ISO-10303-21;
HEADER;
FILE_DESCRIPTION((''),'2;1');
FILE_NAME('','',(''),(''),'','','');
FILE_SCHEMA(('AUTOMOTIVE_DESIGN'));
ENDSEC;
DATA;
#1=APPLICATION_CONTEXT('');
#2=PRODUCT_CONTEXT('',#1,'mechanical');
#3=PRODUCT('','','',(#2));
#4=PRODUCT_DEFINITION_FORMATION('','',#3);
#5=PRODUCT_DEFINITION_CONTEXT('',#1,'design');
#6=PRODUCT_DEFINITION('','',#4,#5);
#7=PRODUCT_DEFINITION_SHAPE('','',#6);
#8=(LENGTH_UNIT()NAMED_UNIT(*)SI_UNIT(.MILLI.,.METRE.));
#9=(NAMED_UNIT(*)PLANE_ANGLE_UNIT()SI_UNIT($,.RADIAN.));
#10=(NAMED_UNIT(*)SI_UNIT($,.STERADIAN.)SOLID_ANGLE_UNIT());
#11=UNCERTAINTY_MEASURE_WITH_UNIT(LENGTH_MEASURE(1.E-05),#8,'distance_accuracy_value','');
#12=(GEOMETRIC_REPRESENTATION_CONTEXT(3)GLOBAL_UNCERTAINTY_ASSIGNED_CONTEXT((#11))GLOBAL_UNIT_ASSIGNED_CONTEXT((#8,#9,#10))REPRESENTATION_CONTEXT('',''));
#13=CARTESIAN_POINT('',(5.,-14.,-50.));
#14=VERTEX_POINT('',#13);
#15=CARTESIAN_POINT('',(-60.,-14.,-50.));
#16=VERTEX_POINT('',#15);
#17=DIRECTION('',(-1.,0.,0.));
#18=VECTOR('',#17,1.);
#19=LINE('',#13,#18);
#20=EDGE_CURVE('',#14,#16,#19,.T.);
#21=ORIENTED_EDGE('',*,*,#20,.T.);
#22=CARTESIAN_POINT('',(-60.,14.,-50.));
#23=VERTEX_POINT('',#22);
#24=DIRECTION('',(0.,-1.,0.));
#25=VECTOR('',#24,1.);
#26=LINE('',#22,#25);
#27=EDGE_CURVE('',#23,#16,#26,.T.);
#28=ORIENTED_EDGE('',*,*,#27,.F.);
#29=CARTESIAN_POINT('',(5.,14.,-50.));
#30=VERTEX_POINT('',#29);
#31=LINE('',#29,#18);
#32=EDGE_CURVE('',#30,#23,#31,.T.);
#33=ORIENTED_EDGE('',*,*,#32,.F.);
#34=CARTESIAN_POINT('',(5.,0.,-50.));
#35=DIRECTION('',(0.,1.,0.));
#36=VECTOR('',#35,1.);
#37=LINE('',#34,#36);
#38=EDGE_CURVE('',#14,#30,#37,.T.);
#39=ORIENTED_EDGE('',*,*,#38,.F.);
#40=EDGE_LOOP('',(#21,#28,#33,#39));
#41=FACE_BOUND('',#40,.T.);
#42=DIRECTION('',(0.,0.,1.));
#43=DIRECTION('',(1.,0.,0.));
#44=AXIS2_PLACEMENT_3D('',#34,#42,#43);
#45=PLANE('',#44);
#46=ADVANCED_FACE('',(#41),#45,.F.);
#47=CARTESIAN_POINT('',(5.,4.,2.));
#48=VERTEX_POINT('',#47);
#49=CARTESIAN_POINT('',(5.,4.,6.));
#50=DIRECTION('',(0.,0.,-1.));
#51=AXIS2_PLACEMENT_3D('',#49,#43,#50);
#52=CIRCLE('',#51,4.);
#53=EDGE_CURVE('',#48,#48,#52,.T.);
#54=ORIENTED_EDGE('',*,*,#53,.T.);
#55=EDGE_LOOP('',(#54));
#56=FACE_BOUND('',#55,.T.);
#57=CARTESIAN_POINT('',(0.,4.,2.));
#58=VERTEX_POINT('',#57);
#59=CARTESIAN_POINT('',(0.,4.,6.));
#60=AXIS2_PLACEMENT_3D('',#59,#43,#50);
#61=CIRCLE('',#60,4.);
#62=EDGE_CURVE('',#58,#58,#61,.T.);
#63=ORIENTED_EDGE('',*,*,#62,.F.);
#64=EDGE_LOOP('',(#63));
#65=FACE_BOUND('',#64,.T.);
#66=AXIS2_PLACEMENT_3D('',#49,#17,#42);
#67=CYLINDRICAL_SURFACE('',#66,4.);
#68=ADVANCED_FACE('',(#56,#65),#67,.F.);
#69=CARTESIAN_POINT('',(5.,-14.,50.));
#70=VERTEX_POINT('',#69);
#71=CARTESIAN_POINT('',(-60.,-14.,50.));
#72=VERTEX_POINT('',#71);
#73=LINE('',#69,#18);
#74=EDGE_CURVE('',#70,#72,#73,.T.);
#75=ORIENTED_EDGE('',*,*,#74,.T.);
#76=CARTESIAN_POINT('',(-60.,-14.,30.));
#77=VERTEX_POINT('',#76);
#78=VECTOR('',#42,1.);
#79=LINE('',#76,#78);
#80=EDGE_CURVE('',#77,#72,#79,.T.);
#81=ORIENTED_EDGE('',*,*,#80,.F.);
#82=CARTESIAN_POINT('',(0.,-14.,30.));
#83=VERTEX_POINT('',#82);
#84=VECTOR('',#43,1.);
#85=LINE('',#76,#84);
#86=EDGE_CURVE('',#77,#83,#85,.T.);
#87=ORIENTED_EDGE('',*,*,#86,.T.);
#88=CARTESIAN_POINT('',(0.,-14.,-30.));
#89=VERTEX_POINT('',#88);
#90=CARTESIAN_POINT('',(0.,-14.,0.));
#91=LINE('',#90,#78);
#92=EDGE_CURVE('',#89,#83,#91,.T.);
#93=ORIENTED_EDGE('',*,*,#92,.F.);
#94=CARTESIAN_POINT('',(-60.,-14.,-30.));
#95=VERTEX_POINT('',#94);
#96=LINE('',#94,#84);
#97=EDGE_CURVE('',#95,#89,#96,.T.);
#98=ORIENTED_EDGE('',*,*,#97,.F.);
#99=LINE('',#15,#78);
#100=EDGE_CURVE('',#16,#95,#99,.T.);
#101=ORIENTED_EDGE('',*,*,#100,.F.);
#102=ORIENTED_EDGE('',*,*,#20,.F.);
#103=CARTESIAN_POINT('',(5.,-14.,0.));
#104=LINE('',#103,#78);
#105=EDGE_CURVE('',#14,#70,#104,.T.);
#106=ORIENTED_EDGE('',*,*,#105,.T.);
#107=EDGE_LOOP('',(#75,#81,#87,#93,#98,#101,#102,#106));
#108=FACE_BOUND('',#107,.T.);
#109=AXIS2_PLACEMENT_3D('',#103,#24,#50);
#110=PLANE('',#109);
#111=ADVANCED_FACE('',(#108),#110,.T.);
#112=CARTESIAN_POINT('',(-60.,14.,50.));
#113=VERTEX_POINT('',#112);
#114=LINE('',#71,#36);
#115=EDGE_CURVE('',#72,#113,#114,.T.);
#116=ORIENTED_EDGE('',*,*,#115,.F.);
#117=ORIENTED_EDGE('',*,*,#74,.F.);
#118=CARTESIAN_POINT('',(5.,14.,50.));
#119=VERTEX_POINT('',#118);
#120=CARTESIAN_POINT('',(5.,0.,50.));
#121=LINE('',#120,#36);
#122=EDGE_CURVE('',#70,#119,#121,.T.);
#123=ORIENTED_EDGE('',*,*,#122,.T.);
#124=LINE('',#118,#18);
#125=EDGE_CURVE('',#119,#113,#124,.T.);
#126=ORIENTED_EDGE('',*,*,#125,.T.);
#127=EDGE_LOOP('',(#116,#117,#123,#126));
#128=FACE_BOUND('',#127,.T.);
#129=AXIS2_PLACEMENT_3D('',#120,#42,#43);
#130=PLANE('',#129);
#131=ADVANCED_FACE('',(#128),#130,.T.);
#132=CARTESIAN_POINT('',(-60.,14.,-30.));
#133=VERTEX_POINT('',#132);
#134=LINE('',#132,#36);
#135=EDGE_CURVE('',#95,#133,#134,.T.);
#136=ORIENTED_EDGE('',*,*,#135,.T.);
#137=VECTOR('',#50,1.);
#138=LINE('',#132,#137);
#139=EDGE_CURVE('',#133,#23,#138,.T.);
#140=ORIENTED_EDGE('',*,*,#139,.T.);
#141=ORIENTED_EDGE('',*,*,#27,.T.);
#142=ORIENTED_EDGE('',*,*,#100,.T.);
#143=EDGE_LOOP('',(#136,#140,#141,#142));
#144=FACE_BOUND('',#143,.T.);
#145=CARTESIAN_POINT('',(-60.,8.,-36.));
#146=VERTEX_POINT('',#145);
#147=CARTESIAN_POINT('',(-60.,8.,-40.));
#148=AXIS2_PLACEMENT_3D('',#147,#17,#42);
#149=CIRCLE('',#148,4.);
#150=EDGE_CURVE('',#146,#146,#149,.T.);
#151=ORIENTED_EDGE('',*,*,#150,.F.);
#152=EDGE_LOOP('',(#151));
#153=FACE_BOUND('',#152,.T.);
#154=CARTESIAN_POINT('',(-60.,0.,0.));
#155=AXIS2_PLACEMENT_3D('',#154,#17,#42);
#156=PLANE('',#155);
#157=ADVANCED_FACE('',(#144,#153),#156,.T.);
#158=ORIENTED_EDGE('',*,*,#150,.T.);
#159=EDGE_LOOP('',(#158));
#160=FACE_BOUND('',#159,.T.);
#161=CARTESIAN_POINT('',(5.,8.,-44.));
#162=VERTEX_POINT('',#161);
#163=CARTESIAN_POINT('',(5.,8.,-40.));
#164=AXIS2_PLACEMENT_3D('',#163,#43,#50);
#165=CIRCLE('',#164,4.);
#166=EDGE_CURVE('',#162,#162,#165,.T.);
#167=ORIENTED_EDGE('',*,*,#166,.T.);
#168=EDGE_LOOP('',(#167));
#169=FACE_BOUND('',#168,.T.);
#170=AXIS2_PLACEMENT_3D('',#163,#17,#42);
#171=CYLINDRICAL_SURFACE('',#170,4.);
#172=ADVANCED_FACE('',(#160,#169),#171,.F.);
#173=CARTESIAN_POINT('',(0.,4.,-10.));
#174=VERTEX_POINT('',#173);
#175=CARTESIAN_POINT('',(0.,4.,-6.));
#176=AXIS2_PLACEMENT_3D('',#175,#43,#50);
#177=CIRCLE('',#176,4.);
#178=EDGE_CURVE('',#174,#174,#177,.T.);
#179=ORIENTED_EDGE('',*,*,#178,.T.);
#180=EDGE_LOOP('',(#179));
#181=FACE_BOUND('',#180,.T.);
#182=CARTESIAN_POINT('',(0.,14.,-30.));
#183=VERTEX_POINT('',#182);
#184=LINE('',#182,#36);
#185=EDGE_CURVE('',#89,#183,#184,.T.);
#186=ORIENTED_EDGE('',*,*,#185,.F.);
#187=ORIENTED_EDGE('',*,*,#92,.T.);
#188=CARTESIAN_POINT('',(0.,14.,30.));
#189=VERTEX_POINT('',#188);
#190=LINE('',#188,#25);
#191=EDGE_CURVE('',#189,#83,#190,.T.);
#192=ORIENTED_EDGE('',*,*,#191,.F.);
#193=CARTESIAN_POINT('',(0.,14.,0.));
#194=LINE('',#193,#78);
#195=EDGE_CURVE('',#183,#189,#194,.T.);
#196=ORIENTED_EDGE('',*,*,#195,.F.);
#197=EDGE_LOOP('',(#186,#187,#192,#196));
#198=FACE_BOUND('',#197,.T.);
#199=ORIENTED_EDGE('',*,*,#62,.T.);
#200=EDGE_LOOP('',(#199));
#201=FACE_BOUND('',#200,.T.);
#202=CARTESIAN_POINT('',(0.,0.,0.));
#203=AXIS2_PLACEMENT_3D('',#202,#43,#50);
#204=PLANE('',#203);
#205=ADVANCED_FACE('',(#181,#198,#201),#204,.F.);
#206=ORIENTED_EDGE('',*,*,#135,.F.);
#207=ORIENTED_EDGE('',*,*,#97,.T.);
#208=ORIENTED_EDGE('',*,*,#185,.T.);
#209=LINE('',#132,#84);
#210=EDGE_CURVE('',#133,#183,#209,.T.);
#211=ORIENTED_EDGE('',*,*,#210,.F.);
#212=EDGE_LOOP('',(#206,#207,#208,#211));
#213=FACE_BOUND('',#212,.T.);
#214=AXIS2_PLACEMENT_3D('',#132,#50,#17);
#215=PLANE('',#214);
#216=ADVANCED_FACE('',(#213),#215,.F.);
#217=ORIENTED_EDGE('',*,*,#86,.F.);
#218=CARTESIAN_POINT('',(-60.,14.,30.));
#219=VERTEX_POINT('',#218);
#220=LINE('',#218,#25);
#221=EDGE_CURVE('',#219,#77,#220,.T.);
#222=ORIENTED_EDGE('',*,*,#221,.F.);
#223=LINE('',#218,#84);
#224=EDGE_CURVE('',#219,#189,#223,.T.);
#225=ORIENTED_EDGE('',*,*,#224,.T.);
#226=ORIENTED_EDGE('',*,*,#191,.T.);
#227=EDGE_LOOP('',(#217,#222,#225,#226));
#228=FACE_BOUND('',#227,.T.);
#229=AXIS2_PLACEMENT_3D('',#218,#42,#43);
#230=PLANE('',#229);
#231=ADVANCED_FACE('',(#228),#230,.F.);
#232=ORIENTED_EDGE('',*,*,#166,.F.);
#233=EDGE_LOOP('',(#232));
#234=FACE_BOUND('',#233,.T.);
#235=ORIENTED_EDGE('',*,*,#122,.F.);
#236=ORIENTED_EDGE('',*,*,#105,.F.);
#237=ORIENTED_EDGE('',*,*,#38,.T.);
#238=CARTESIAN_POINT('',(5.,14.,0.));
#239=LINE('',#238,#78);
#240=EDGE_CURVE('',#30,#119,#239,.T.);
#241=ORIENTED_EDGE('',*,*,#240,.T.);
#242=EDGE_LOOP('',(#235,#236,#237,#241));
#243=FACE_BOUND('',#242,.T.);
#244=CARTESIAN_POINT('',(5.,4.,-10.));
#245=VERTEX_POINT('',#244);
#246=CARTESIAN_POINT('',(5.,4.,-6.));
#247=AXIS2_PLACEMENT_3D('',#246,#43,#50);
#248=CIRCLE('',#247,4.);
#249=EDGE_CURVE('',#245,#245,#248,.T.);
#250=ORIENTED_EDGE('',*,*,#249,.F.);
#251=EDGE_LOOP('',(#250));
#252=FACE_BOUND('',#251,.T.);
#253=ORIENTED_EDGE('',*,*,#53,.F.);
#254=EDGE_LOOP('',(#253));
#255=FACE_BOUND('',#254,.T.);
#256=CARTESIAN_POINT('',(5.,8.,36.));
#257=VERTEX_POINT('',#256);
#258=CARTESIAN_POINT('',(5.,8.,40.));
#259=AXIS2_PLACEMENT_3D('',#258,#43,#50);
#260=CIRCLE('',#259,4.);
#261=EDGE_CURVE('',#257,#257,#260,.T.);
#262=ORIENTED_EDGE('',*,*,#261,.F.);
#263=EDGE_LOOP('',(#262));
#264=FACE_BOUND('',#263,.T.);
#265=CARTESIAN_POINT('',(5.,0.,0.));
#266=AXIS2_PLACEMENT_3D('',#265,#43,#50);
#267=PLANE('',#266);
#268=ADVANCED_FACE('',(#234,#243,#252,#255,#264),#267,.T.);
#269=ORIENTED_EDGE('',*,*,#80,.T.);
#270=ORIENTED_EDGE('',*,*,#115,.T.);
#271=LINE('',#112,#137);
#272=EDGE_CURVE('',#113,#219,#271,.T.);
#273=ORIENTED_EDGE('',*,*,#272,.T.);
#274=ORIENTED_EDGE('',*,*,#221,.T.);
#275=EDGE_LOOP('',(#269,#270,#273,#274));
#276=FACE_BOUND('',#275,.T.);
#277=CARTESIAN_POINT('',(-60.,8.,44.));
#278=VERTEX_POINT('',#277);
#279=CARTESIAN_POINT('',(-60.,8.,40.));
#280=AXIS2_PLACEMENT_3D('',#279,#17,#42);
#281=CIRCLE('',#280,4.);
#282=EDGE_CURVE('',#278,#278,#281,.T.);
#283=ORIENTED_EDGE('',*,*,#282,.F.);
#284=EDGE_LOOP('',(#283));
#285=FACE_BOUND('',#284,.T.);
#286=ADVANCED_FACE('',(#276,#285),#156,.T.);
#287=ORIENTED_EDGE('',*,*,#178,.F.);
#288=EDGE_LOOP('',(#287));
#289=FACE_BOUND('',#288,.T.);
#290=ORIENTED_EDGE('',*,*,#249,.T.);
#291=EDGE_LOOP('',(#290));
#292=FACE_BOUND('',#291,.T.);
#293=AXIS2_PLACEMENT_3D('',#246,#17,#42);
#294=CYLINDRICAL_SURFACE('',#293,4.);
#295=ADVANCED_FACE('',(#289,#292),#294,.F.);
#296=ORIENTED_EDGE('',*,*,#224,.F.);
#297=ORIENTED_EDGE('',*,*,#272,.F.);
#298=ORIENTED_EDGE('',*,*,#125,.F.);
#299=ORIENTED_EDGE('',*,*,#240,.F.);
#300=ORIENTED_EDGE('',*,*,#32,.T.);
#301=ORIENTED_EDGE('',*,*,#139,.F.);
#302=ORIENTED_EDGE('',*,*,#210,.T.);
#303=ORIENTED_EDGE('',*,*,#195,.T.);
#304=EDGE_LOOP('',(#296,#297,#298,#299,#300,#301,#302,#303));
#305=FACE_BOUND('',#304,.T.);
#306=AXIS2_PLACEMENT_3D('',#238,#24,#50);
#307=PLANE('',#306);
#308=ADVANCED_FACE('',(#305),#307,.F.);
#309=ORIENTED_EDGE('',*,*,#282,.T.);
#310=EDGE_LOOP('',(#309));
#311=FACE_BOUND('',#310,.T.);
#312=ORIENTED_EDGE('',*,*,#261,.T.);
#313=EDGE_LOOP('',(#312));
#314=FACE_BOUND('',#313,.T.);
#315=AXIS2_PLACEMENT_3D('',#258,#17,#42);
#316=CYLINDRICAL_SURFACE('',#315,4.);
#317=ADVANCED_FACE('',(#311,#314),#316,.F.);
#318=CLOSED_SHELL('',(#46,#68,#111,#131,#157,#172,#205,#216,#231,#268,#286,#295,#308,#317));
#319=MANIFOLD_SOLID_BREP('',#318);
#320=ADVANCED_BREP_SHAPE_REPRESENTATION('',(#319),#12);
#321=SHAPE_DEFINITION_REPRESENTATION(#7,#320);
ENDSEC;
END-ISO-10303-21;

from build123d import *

# Parameters (mm, degrees)
SKETCH1_W           = 6
SKETCH1_H           = 6
SKETCH1_W_2         = 10
SKETCH1_H_2         = 4
SKETCH1_H_3         = 14
SKETCH1_W_3         = 34
BOSS_EXTRUDE1_DEPTH = 5
BOSS_EXTRUDE2_START = 60
SKETCH2_W           = 20
SKETCH2_H           = 28
SKETCH2_R           = 4
BOSS_EXTRUDE2_DEPTH = 60


with BuildPart() as part:
    # Sketch1 → Boss-Extrude1 (new body)
    with BuildSketch(Plane(origin=(0, 0, 0), x_dir=(0, 0, -1), z_dir=(1, 0, 0))):
        with BuildLine():
            ThreePointArc((40, 12), (42.828427125, 10.828427125), (44, 8))
            Line((44, 8), (50, 8))
            Line((50, 8), (50, 14))
            Line((50, 14), (40, 14))
            Line((40, 14), (40, 12))
        make_face()
        with BuildLine():
            Line((6, 14), (6, 8))
            Line((5.999999991, 8), (36, 8))
            ThreePointArc((36, 8), (37.171572875, 10.828427125), (40, 12))
            Line((40, 12), (40, 14))
            Line((40, 14), (6, 14))
        make_face()
        Polygon((0, 14), (0, 8), (5.999999991, 8), (6, 14), align=None)
        with Locations((-3, 11)):
            Rectangle(SKETCH1_W, SKETCH1_H)
        with BuildLine():
            ThreePointArc((-40, 12), (-37.171572875, 10.828427125), (-36, 8))
            Line((-36, 8), (-6.000000002, 8))
            Line((-6, 8), (-6, 14))
            Line((-6, 14), (-40, 14))
            Line((-40, 14), (-40, 12))
        make_face()
        with BuildLine():
            Line((-50, 14), (-50, 8))
            Line((-50, 8), (-44, 8))
            ThreePointArc((-44, 8), (-42.828427125, 10.828427125), (-40, 12))
            Line((-40, 12), (-40, 14))
            Line((-40, 14), (-50, 14))
        make_face()
        with BuildLine():
            Line((-50, 8), (-50, 4))
            Line((-50, 4), (-40, 4))
            ThreePointArc((-40, 4), (-42.828427125, 5.171572875), (-44, 8))
            Line((-44, 8), (-50, 8))
        make_face()
        with Locations((-45, 2)):
            Rectangle(SKETCH1_W_2, SKETCH1_H_2)
        with Locations((-45, -7)):
            Rectangle(SKETCH1_W_2, SKETCH1_H_3)
        with Locations((-23, -7)):
            Rectangle(SKETCH1_W_3, SKETCH1_H_3)
        with BuildLine():
            Line((-40, 4), (-40, 0))
            Line((-40, 0), (-6, 0))
            ThreePointArc((-6, 0), (-8.828427125, 1.171572875), (-10, 4))
            Line((-10, 4), (-40, 4))
        make_face()
        with BuildLine():
            ThreePointArc((-36, 8), (-37.171572875, 5.171572875), (-40, 4))
            Line((-40, 4), (-10, 4))
            ThreePointArc((-10, 4), (-8.828427126, 6.828427124), (-6.000000002, 8))
            Line((-6.000000002, 8), (-36, 8))
        make_face()
        with Locations((-3, -7)):
            Rectangle(SKETCH1_W, SKETCH1_H_3)
        with BuildLine():
            Line((0, 8), (0, 4))
            Line((0, 4), (2, 4))
            ThreePointArc((2, 4), (3.171572872, 6.828427122), (5.999999991, 8))
            Line((5.999999991, 8), (0, 8))
        make_face()
        with BuildLine():
            ThreePointArc((-6.000000002, 8), (-3.171572876, 6.828427126), (-2, 4))
            Line((-2, 4), (0, 4))
            Line((0, 4), (0, 8))
            Line((0, 8), (-6.000000002, 8))
        make_face()
        with Locations((3, -7)):
            Rectangle(SKETCH1_W, SKETCH1_H_3)
        with BuildLine():
            Line((0, 4), (0, 0))
            Line((0, 0), (6, 0))
            ThreePointArc((6, 0), (3.171572875, 1.171572875), (2, 4))
            Line((2, 4), (0, 4))
        make_face()
        with BuildLine():
            ThreePointArc((-2, 4), (-3.171572875, 1.171572875), (-6, 0))
            Line((-6, 0), (0, 0))
            Line((0, 0), (0, 4))
            Line((0, 4), (-2, 4))
        make_face()
        with BuildLine():
            ThreePointArc((10, 4), (8.828427125, 1.171572875), (6, 0))
            Line((6, 0), (40, 0))
            Line((40, 0), (40, 4))
            Line((39.999999991, 4), (10, 4))
        make_face()
        with BuildLine():
            ThreePointArc((5.999999991, 8), (8.828427122, 6.828427128), (10, 4))
            Line((10, 4), (39.999999991, 4))
            ThreePointArc((39.999999991, 4), (37.171572872, 5.171572878), (36, 8))
            Line((36, 8), (5.999999991, 8))
        make_face()
        with Locations((23, -7)):
            Rectangle(SKETCH1_W_3, SKETCH1_H_3)
        with Locations((45, -7)):
            Rectangle(SKETCH1_W_2, SKETCH1_H_3)
        with Locations((45, 2)):
            Rectangle(SKETCH1_W_2, SKETCH1_H_2)
        with BuildLine():
            ThreePointArc((44, 8), (42.828427122, 5.171572872), (39.999999991, 4))
            Line((39.999999991, 4), (50, 4))
            Line((50, 4), (50, 8))
            Line((50, 8), (44, 8))
        make_face()
    extrude(amount=BOSS_EXTRUDE1_DEPTH)

    # Sketch2 → Boss-Extrude2 (add)
    # profile 1 of 2: a face of its own
    with BuildSketch(Plane.ZY.offset(BOSS_EXTRUDE2_START)):
        with Locations((-40, 0)):
            Rectangle(SKETCH2_W, SKETCH2_H)
        with Locations((-40, 8)):
            Circle(SKETCH2_R, mode=Mode.SUBTRACT)
    # profile 2 of 2: a face of its own
    with BuildSketch(Plane.ZY.offset(BOSS_EXTRUDE2_START)):
        with Locations((40, 0)):
            Rectangle(SKETCH2_W, SKETCH2_H)
        with Locations((40, 8)):
            Circle(SKETCH2_R, mode=Mode.SUBTRACT)
    extrude(amount=-BOSS_EXTRUDE2_DEPTH)


solid = part.part
